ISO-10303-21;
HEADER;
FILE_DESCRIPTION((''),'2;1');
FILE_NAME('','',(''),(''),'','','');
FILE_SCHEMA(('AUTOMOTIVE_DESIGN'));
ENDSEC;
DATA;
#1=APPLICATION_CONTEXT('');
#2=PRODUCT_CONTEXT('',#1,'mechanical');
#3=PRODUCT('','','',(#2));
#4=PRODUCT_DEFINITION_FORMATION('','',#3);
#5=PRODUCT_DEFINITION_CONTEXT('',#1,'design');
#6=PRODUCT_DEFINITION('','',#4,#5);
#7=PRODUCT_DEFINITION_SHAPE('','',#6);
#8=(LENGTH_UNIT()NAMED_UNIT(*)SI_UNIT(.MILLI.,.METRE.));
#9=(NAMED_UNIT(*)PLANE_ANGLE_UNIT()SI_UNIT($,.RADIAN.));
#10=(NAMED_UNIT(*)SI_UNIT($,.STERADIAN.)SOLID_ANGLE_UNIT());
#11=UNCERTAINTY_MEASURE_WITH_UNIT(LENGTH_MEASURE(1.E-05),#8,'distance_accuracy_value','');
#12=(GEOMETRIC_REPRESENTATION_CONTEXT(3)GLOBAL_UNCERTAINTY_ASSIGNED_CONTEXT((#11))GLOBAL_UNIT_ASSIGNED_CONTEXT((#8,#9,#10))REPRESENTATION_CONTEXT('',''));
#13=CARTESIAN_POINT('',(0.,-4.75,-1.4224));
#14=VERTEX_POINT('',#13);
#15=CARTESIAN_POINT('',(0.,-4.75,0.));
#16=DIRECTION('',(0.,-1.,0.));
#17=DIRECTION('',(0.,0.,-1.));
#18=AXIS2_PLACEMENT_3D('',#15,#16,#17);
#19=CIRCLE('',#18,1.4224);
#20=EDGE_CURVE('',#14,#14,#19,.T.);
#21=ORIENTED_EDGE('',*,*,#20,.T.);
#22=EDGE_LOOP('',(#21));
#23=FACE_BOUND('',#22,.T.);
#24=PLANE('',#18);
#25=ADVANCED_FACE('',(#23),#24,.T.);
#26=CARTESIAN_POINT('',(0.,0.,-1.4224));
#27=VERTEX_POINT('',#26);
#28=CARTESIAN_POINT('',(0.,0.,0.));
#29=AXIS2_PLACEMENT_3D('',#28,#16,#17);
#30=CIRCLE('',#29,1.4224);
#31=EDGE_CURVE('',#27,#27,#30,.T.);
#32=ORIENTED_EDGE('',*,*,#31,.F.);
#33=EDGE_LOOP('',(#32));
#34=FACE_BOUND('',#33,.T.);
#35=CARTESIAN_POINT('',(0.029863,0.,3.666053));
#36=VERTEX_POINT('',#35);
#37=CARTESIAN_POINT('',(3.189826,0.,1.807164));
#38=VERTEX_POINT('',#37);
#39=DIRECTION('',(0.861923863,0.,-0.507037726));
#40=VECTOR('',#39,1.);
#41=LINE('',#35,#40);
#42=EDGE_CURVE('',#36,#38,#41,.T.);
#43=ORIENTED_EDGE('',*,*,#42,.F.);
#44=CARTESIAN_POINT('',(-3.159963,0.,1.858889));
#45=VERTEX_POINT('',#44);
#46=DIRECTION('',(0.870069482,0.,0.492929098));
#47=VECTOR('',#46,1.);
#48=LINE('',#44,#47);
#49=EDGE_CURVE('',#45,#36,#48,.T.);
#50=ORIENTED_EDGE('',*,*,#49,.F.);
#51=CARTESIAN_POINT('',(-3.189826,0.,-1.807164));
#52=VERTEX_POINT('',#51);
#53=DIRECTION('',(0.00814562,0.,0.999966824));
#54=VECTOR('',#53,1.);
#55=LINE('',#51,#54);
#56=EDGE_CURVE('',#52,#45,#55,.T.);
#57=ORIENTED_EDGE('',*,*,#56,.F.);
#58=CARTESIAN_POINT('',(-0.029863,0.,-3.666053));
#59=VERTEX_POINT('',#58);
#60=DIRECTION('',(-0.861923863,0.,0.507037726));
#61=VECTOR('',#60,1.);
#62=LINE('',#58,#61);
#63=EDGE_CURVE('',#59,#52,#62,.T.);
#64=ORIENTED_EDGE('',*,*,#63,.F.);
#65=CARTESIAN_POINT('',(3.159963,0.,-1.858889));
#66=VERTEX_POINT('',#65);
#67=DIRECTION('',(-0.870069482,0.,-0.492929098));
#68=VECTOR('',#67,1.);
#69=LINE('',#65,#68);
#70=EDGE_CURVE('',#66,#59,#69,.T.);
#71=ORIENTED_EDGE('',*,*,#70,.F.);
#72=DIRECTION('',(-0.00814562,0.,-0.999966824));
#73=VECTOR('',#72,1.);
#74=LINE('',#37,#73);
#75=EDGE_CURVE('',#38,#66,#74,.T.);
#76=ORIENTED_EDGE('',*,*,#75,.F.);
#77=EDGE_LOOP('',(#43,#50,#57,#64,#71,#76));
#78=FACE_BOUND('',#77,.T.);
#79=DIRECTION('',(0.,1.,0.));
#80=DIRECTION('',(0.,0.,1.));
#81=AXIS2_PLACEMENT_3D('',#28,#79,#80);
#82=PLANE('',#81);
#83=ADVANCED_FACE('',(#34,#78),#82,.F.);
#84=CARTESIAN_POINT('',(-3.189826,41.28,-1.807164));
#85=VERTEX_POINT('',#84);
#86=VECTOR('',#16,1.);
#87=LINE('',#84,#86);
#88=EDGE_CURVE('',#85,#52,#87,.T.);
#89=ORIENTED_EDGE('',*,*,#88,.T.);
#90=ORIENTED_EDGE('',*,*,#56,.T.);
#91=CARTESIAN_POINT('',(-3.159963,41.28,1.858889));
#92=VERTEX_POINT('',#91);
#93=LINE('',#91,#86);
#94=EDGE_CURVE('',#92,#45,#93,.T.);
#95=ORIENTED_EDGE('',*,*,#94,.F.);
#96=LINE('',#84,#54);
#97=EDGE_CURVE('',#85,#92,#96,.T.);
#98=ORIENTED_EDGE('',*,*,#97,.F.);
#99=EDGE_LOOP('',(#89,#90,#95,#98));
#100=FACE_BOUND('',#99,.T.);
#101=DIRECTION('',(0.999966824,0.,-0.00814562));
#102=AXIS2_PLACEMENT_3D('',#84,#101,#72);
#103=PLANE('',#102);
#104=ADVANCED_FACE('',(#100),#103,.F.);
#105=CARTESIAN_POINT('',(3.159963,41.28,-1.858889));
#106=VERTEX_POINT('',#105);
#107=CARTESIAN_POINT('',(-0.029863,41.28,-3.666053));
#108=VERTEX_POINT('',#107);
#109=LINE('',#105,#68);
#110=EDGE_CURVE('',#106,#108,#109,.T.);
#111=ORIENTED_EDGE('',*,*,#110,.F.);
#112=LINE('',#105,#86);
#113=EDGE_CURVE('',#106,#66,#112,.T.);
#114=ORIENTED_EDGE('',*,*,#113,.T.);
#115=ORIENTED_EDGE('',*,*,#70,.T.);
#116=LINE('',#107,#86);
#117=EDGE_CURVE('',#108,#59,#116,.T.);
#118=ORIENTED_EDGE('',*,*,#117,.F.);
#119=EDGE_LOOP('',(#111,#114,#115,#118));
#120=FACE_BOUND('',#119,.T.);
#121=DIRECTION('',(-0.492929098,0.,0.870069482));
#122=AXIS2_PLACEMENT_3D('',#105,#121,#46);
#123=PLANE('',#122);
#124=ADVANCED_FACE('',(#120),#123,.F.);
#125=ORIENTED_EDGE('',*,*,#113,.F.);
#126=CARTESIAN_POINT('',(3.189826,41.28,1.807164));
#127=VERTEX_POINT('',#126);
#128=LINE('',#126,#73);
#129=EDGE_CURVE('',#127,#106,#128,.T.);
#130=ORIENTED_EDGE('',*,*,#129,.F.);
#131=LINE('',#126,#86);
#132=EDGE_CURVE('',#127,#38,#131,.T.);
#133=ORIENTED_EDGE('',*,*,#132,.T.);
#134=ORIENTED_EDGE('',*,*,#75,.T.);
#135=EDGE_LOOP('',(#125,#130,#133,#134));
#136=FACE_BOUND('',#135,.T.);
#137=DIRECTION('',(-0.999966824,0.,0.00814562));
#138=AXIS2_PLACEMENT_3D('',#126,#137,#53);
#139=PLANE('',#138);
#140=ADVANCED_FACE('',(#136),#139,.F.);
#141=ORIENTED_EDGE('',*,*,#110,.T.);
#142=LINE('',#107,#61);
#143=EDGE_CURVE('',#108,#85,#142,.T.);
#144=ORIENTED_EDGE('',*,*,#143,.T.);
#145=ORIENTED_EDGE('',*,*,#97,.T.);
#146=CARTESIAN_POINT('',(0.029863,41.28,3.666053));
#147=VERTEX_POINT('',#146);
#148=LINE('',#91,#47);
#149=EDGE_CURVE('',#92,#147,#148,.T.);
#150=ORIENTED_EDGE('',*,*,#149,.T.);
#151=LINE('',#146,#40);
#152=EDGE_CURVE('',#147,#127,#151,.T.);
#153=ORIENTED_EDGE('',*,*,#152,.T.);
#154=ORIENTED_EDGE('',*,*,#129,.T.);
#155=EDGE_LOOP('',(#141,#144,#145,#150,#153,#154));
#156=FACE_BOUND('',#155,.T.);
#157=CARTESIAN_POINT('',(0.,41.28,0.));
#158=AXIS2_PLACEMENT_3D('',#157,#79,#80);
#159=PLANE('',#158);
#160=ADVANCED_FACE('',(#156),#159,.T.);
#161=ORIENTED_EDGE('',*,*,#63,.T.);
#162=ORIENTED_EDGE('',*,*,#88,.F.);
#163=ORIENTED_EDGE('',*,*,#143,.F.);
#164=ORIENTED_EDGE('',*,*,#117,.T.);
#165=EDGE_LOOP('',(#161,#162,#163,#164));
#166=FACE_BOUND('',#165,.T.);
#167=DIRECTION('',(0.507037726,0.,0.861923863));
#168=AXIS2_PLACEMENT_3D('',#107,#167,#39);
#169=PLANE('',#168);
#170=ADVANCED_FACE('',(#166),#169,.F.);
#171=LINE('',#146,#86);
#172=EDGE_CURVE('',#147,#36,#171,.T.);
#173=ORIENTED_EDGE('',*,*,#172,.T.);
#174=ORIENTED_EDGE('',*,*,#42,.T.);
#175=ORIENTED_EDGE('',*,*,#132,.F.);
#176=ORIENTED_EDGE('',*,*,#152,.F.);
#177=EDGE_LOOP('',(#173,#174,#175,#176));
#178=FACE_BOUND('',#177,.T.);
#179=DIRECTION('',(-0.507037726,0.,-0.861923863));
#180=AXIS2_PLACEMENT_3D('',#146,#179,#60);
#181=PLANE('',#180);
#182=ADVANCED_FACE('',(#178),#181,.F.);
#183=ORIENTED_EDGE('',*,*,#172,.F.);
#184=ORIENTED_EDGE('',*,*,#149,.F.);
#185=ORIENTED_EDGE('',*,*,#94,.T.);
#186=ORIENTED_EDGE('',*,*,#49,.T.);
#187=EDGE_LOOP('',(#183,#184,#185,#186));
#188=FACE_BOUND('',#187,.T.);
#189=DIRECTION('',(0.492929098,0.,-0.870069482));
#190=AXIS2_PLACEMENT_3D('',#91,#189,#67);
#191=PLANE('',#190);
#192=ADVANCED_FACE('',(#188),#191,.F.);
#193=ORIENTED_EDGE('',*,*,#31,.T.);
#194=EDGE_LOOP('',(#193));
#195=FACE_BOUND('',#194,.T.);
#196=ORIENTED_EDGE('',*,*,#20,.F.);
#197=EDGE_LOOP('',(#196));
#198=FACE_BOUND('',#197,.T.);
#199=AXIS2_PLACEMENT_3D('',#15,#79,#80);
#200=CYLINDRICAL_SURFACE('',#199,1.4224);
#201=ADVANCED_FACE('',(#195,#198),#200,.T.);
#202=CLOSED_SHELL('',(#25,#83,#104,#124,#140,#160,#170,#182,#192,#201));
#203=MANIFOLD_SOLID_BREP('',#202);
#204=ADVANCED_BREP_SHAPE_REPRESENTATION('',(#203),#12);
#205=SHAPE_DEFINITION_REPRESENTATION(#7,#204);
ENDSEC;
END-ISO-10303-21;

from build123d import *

# Parameters (mm, degrees)
BOSS_EXTRUDE1_DEPTH = 41.28
SKETCH3_R           = 1.4224
BOSS_EXTRUDE2_DEPTH = 4.75


with BuildPart() as part:
    # Sketch1 → Boss-Extrude1 (new body)
    with BuildSketch(Plane(origin=(0, 0, 0), x_dir=(1, 0, 0), z_dir=(0, 1, 0))):
        Polygon((3.189826296, -1.807163947), (3.159963035, 1.858888633), (-0.029863261, 3.66605258), (-3.189826296, 1.807163947), (-3.159963035, -1.858888633), (0.029863261, -3.66605258), align=None)
    extrude(amount=BOSS_EXTRUDE1_DEPTH)

    # Sketch3 → Boss-Extrude2 (add)
    with BuildSketch(Plane(origin=(0, 0, 0), x_dir=(-1, 0, 0), z_dir=(0, -1, 0))):
        Circle(SKETCH3_R)
    extrude(amount=BOSS_EXTRUDE2_DEPTH)


solid = part.part
